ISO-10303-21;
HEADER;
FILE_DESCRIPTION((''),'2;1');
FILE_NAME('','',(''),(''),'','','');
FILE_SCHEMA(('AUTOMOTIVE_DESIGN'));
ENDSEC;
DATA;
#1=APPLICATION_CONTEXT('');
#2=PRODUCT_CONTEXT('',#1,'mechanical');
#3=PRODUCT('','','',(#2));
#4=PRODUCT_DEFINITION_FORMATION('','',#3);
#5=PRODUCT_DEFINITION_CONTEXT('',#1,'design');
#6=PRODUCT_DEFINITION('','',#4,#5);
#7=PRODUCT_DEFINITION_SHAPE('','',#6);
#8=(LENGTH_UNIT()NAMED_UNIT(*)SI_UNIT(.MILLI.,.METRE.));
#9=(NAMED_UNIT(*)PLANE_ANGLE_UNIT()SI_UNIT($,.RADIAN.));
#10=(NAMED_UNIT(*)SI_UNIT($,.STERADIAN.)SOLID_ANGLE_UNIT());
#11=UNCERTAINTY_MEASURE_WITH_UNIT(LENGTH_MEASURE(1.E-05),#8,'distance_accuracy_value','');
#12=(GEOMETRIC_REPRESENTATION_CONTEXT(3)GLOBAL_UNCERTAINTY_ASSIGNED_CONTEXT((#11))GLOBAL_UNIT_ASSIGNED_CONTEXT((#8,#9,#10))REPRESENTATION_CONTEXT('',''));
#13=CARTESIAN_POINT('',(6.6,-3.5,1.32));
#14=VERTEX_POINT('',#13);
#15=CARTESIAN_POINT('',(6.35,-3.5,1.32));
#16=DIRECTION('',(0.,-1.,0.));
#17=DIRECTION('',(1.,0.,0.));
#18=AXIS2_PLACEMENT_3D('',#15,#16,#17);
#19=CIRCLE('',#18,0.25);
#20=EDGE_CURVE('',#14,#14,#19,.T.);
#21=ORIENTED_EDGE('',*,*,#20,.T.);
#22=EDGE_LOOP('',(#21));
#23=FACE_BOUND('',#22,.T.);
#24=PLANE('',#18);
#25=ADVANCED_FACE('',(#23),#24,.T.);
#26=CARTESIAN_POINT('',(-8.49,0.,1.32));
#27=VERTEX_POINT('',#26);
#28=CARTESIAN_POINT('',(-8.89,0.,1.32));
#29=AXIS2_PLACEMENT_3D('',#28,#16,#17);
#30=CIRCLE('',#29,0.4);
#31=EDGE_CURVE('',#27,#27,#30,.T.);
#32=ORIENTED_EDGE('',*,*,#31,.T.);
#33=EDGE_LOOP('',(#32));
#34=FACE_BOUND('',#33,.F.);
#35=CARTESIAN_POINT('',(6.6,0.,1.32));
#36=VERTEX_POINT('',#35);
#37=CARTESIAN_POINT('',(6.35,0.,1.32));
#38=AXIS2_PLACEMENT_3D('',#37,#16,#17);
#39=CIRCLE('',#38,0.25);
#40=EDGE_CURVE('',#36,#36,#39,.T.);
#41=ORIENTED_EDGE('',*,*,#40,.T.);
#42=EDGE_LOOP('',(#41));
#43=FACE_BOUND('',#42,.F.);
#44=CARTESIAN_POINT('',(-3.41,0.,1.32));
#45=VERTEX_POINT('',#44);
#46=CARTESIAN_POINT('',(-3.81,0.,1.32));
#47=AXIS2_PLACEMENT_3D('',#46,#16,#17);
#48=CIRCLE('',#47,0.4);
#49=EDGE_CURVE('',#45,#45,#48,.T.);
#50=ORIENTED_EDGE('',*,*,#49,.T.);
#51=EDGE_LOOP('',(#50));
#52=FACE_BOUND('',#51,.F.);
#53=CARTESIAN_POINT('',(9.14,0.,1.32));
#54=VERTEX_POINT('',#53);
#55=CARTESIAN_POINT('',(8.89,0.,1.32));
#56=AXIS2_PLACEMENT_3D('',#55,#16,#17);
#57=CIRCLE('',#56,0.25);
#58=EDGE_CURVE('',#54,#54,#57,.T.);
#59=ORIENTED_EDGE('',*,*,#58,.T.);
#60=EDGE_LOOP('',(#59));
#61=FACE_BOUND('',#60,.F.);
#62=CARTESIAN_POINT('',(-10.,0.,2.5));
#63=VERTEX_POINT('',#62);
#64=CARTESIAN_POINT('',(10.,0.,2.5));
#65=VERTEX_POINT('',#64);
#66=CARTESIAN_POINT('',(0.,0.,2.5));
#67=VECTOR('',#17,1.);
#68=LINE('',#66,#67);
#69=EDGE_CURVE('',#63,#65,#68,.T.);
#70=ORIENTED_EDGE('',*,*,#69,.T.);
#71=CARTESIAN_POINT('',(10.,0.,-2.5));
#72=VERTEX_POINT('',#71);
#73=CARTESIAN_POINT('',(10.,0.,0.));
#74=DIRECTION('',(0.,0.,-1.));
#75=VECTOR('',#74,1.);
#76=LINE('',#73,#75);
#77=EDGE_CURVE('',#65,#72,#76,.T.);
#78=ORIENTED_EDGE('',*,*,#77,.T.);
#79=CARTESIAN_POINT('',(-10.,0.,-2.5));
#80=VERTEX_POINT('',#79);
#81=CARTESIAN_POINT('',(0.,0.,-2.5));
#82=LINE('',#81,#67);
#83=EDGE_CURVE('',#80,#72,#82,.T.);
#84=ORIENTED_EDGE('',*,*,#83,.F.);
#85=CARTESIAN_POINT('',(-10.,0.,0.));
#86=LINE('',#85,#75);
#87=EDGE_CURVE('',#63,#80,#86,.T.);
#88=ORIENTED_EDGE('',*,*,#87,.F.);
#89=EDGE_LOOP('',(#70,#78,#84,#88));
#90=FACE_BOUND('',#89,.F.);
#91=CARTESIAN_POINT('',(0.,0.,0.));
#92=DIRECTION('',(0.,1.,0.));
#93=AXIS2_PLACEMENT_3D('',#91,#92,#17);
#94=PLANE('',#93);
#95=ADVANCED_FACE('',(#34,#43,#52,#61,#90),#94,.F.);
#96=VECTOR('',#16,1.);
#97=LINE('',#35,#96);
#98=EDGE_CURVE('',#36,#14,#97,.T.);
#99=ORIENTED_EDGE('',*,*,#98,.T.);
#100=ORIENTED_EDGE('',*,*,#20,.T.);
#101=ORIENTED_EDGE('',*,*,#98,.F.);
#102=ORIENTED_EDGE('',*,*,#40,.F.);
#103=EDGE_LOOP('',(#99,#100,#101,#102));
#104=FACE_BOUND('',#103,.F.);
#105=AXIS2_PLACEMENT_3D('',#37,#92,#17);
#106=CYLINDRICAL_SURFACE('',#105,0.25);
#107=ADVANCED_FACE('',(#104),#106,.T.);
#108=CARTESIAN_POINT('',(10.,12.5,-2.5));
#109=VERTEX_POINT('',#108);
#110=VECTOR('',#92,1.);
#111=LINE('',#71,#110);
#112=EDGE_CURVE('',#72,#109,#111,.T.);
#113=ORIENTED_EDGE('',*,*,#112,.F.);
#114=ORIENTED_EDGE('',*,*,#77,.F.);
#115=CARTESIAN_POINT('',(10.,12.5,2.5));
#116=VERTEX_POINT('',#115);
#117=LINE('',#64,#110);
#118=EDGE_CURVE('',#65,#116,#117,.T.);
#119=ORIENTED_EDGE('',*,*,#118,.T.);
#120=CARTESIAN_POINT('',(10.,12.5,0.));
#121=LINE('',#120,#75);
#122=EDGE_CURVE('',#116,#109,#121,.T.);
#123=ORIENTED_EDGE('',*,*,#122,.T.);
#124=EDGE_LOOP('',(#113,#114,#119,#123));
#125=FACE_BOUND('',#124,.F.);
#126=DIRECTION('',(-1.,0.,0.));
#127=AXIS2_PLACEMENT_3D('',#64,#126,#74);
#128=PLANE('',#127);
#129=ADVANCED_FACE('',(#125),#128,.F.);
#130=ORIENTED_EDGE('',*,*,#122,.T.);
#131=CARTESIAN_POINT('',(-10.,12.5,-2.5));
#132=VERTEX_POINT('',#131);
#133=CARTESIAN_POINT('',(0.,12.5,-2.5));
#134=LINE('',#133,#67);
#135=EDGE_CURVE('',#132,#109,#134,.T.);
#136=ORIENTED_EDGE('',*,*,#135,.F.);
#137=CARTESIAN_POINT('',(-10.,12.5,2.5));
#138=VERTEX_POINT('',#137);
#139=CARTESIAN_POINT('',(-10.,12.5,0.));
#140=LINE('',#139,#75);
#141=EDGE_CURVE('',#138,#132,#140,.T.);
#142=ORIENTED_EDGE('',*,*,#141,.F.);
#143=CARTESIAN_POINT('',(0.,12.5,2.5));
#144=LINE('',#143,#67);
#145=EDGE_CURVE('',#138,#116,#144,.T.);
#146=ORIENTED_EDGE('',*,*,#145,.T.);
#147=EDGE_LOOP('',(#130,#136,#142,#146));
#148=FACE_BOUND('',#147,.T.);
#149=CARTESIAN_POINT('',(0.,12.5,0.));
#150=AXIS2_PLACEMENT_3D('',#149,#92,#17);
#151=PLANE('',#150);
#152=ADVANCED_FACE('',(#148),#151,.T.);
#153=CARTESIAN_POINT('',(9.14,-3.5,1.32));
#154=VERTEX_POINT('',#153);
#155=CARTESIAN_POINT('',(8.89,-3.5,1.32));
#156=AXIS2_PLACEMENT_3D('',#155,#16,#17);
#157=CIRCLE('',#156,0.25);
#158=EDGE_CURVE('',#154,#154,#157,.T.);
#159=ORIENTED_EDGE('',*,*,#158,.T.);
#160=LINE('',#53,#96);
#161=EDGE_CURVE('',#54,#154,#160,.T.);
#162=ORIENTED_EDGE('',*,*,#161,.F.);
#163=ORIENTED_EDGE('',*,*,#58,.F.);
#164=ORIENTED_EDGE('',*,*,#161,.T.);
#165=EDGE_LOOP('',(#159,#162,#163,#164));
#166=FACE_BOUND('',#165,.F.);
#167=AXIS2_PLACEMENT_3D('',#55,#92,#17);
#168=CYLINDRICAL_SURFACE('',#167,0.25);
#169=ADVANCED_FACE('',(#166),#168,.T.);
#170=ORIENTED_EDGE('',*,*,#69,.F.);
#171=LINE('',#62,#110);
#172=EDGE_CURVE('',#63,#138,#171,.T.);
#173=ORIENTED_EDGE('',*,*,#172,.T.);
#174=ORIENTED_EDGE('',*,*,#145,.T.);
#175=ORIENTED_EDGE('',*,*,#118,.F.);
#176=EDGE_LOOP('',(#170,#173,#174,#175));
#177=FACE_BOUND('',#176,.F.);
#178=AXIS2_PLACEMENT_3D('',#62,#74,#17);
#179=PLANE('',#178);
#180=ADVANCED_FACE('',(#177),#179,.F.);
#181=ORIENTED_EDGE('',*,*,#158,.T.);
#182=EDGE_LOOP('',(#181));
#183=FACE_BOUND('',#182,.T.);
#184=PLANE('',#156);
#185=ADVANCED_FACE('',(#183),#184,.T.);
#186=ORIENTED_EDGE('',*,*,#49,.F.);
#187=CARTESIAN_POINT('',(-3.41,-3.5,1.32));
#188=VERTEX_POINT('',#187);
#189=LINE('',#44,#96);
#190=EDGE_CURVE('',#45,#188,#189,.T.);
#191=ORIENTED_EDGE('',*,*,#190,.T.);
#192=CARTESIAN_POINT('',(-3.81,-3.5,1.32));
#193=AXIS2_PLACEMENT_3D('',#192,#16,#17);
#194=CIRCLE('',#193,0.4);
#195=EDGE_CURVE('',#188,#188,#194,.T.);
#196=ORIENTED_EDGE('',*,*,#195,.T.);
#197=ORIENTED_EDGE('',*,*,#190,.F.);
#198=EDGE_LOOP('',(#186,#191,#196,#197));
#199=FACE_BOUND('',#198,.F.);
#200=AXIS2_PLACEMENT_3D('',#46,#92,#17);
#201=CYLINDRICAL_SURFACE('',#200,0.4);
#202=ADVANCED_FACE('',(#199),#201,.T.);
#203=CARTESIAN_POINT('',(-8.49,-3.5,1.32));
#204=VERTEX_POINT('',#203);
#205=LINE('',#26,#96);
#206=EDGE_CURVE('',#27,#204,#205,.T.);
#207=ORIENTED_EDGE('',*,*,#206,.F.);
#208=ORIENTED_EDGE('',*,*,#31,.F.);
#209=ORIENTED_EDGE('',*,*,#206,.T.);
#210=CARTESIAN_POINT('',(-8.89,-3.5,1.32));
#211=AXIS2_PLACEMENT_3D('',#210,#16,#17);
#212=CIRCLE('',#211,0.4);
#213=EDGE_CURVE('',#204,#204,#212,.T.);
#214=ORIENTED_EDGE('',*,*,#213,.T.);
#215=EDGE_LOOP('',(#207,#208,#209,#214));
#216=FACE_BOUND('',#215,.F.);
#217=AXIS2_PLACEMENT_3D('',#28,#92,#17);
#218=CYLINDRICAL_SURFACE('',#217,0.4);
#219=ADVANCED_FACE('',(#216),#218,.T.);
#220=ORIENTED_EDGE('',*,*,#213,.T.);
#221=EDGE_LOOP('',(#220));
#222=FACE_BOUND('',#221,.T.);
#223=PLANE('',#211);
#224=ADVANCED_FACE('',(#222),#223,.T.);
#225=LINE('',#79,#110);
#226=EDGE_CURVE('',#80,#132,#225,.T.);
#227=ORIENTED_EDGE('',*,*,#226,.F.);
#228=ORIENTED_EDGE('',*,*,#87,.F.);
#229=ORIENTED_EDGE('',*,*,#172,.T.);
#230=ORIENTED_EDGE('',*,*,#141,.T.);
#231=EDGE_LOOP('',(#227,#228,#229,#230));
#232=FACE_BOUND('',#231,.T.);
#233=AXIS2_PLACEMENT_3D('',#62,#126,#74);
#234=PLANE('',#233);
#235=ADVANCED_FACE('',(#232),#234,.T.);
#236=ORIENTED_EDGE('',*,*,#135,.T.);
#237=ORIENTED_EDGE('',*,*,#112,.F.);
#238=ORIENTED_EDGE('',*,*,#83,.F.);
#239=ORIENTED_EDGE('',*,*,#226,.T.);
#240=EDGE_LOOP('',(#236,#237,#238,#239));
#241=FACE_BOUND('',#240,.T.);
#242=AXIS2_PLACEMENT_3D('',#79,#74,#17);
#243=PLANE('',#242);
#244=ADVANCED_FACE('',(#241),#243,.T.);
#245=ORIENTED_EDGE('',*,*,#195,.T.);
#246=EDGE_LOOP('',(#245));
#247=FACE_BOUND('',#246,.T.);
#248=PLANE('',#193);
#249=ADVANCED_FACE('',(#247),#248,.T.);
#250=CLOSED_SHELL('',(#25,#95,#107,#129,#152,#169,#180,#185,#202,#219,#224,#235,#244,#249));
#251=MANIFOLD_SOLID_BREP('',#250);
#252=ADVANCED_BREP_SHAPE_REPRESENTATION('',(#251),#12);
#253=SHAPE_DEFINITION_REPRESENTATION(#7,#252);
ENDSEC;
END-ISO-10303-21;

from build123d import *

# Parameters (mm, degrees)
CROQUIS1_W              = 20
CROQUIS1_H              = 5
SALIENTE_EXTRUIR1_DEPTH = 12.5
CROQUIS4_R              = 0.4
CROQUIS4_R_2            = 0.25
SALIENTE_EXTRUIR3_DEPTH = 3.5


with BuildPart() as part:
    # Croquis1 → Saliente-Extruir1 (new body)
    with BuildSketch(Plane(origin=(0, 0, 0), x_dir=(1, 0, 0), z_dir=(0, 1, 0))):
        Rectangle(CROQUIS1_W, CROQUIS1_H)
    extrude(amount=SALIENTE_EXTRUIR1_DEPTH)

    # Croquis4 → Saliente-Extruir3 (add)
    with BuildSketch(Plane.XZ):
        with Locations((-8.89, 1.32)):
            Circle(CROQUIS4_R)
        with Locations((-3.81, 1.32)):
            Circle(CROQUIS4_R)
        with Locations((6.35, 1.32)):
            Circle(CROQUIS4_R_2)
        with Locations((8.89, 1.32)):
            Circle(CROQUIS4_R_2)
    extrude(amount=SALIENTE_EXTRUIR3_DEPTH)


solid = part.part
